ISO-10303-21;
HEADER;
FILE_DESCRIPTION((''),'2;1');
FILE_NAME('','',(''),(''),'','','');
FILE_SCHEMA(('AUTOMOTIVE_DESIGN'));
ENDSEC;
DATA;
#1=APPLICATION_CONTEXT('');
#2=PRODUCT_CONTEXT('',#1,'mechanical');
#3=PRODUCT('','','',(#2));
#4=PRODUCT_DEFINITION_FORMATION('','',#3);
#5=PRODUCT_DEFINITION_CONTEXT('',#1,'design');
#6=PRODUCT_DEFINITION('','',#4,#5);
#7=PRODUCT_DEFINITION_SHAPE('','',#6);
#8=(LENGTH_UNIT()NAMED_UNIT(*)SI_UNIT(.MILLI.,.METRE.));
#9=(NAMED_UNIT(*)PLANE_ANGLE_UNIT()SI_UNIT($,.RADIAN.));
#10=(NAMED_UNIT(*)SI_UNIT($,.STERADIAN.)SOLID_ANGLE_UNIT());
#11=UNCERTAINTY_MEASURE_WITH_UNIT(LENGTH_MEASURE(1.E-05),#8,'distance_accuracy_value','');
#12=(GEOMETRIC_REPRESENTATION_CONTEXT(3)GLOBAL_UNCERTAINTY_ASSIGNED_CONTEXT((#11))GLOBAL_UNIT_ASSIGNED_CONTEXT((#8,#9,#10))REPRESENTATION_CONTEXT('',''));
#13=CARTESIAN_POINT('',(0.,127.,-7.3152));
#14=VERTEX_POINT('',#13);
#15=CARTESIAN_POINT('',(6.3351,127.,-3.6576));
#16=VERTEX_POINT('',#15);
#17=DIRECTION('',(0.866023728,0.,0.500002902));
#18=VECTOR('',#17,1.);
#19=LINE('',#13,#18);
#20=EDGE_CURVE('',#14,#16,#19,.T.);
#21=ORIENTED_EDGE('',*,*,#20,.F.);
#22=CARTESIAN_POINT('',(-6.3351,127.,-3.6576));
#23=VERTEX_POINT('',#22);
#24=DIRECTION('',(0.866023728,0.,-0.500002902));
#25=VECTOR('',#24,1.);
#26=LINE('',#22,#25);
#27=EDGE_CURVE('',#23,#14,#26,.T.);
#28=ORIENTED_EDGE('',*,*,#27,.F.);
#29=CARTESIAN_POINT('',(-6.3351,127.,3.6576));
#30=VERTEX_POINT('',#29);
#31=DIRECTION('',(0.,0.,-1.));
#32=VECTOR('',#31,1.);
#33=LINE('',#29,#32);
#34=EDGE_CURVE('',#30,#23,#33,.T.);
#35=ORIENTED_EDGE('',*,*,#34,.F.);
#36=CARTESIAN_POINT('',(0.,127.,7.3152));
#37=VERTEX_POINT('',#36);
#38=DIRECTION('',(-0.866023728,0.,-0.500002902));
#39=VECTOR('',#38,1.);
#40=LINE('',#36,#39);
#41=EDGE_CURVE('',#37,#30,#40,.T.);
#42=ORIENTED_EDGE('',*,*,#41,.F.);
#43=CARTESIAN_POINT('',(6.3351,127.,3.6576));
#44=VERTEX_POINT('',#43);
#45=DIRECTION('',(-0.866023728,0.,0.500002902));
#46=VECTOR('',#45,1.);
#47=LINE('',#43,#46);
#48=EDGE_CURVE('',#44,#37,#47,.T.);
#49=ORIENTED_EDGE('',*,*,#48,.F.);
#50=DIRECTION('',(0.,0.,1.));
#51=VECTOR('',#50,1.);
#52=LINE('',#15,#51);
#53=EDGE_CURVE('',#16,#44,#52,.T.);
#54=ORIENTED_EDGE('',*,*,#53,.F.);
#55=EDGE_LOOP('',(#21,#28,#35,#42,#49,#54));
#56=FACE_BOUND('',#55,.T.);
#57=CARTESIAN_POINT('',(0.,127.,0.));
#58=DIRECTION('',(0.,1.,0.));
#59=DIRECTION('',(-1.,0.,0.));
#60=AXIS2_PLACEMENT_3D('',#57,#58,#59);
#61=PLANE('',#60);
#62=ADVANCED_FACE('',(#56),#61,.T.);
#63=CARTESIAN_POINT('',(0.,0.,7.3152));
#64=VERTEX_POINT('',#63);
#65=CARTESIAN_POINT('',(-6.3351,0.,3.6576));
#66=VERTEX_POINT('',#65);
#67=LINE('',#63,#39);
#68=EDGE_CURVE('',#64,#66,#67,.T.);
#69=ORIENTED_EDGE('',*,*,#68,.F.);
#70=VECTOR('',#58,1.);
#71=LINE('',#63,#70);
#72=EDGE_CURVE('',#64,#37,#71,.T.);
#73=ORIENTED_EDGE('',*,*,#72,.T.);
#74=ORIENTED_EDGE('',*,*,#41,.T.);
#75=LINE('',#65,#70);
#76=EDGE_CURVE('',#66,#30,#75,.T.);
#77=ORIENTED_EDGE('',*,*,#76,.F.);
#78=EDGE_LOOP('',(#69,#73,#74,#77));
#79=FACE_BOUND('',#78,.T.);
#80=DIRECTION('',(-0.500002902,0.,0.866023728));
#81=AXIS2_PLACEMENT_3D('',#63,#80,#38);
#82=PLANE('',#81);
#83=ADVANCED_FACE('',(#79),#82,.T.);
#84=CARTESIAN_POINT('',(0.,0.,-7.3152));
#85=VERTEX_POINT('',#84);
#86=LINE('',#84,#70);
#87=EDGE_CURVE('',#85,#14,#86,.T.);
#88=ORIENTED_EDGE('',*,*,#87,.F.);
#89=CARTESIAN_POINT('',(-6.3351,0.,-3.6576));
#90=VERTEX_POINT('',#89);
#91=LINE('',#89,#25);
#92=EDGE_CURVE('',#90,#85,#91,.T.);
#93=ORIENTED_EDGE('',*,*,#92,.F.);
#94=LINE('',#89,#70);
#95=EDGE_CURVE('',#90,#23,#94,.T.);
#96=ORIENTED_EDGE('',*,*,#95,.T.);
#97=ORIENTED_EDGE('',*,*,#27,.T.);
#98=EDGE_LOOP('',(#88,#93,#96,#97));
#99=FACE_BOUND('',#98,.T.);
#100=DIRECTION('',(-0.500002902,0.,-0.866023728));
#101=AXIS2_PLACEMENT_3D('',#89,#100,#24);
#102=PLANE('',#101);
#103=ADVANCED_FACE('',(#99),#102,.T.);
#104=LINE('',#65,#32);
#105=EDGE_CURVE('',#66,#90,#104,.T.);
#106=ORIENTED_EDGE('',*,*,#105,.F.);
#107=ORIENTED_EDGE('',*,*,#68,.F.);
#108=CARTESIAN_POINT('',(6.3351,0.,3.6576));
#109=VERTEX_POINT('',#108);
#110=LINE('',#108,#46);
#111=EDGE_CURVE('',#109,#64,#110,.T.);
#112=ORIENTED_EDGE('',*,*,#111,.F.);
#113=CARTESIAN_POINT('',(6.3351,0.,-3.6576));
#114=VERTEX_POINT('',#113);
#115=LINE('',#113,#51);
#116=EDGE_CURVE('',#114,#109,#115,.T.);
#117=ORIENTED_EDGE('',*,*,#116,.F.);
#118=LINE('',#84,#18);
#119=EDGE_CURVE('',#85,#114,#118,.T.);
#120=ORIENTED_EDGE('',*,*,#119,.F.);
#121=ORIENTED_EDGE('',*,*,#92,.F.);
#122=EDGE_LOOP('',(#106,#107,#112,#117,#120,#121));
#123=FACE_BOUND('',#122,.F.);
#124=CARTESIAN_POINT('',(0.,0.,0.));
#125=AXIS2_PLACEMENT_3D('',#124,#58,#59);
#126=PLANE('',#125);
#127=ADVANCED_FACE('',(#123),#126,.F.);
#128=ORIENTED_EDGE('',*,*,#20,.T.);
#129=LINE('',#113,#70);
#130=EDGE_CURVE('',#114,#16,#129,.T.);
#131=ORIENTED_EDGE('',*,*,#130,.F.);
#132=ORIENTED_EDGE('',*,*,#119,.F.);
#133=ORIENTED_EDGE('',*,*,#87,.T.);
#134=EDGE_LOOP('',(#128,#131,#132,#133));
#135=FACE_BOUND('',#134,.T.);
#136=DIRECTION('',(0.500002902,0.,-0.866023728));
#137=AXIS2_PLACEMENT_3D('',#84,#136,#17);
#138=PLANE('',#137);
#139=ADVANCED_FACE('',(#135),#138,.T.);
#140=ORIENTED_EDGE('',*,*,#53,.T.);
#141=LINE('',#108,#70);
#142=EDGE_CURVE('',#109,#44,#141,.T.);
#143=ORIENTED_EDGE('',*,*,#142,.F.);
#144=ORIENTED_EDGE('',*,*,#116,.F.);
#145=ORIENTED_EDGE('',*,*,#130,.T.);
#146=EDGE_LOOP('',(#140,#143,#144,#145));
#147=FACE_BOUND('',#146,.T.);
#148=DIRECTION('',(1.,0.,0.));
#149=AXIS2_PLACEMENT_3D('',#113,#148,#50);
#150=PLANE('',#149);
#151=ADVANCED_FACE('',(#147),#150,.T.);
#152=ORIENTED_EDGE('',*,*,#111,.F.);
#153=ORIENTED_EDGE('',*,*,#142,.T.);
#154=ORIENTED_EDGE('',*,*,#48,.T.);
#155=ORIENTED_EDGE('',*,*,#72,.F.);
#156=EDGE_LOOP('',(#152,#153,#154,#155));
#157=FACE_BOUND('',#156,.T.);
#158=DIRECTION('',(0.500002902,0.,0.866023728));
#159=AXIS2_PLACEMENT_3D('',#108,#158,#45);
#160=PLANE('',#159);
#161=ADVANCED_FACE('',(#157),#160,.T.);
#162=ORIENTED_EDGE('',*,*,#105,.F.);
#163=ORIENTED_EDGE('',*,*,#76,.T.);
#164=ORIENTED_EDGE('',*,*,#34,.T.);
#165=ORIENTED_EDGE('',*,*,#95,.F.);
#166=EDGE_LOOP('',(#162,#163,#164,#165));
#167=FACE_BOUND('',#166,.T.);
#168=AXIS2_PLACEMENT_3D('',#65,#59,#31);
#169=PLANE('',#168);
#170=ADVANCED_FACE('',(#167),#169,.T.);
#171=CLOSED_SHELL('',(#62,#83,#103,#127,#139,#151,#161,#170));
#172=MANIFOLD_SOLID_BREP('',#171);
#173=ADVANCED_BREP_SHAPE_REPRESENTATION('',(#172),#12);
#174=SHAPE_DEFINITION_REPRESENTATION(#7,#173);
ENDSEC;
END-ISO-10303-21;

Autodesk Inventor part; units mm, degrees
ref_plane "YZ Plane" through (0, 0, 0) normal (1, 0, 0) x (0, 1, 0)
ref_plane "XZ Plane" through (0, 0, 0) normal (0, 1, 0) x (-1, 0, 0)
ref_plane "XY Plane" through (0, 0, 0) normal (0, 0, 1) x (1, 0, 0)
sketch "Sketch1" plane through (0, 0, 0) normal (0, 1, 0) x (-1, 0, 0)
  line L0 (0, -7.3152) -> (-6.3351, -3.6576)
  line L1 (-6.3351, -3.6576) -> (-6.3351, 3.6576)
  line L2 (-6.3351, 3.6576) -> (0, 7.3152)
  line L3 (0, 7.3152) -> (6.3351, 3.6576)
  line L4 (6.3351, 3.6576) -> (6.3351, -3.6576)
  line L5 (6.3351, -3.6576) -> (0, -7.3152)
  point P0 (0, 0)
  point P1 (0, 0)
  dimension "d0" = 7.3152
extrude "Extrusion1" add sketch "Sketch1" along normal blind 127
